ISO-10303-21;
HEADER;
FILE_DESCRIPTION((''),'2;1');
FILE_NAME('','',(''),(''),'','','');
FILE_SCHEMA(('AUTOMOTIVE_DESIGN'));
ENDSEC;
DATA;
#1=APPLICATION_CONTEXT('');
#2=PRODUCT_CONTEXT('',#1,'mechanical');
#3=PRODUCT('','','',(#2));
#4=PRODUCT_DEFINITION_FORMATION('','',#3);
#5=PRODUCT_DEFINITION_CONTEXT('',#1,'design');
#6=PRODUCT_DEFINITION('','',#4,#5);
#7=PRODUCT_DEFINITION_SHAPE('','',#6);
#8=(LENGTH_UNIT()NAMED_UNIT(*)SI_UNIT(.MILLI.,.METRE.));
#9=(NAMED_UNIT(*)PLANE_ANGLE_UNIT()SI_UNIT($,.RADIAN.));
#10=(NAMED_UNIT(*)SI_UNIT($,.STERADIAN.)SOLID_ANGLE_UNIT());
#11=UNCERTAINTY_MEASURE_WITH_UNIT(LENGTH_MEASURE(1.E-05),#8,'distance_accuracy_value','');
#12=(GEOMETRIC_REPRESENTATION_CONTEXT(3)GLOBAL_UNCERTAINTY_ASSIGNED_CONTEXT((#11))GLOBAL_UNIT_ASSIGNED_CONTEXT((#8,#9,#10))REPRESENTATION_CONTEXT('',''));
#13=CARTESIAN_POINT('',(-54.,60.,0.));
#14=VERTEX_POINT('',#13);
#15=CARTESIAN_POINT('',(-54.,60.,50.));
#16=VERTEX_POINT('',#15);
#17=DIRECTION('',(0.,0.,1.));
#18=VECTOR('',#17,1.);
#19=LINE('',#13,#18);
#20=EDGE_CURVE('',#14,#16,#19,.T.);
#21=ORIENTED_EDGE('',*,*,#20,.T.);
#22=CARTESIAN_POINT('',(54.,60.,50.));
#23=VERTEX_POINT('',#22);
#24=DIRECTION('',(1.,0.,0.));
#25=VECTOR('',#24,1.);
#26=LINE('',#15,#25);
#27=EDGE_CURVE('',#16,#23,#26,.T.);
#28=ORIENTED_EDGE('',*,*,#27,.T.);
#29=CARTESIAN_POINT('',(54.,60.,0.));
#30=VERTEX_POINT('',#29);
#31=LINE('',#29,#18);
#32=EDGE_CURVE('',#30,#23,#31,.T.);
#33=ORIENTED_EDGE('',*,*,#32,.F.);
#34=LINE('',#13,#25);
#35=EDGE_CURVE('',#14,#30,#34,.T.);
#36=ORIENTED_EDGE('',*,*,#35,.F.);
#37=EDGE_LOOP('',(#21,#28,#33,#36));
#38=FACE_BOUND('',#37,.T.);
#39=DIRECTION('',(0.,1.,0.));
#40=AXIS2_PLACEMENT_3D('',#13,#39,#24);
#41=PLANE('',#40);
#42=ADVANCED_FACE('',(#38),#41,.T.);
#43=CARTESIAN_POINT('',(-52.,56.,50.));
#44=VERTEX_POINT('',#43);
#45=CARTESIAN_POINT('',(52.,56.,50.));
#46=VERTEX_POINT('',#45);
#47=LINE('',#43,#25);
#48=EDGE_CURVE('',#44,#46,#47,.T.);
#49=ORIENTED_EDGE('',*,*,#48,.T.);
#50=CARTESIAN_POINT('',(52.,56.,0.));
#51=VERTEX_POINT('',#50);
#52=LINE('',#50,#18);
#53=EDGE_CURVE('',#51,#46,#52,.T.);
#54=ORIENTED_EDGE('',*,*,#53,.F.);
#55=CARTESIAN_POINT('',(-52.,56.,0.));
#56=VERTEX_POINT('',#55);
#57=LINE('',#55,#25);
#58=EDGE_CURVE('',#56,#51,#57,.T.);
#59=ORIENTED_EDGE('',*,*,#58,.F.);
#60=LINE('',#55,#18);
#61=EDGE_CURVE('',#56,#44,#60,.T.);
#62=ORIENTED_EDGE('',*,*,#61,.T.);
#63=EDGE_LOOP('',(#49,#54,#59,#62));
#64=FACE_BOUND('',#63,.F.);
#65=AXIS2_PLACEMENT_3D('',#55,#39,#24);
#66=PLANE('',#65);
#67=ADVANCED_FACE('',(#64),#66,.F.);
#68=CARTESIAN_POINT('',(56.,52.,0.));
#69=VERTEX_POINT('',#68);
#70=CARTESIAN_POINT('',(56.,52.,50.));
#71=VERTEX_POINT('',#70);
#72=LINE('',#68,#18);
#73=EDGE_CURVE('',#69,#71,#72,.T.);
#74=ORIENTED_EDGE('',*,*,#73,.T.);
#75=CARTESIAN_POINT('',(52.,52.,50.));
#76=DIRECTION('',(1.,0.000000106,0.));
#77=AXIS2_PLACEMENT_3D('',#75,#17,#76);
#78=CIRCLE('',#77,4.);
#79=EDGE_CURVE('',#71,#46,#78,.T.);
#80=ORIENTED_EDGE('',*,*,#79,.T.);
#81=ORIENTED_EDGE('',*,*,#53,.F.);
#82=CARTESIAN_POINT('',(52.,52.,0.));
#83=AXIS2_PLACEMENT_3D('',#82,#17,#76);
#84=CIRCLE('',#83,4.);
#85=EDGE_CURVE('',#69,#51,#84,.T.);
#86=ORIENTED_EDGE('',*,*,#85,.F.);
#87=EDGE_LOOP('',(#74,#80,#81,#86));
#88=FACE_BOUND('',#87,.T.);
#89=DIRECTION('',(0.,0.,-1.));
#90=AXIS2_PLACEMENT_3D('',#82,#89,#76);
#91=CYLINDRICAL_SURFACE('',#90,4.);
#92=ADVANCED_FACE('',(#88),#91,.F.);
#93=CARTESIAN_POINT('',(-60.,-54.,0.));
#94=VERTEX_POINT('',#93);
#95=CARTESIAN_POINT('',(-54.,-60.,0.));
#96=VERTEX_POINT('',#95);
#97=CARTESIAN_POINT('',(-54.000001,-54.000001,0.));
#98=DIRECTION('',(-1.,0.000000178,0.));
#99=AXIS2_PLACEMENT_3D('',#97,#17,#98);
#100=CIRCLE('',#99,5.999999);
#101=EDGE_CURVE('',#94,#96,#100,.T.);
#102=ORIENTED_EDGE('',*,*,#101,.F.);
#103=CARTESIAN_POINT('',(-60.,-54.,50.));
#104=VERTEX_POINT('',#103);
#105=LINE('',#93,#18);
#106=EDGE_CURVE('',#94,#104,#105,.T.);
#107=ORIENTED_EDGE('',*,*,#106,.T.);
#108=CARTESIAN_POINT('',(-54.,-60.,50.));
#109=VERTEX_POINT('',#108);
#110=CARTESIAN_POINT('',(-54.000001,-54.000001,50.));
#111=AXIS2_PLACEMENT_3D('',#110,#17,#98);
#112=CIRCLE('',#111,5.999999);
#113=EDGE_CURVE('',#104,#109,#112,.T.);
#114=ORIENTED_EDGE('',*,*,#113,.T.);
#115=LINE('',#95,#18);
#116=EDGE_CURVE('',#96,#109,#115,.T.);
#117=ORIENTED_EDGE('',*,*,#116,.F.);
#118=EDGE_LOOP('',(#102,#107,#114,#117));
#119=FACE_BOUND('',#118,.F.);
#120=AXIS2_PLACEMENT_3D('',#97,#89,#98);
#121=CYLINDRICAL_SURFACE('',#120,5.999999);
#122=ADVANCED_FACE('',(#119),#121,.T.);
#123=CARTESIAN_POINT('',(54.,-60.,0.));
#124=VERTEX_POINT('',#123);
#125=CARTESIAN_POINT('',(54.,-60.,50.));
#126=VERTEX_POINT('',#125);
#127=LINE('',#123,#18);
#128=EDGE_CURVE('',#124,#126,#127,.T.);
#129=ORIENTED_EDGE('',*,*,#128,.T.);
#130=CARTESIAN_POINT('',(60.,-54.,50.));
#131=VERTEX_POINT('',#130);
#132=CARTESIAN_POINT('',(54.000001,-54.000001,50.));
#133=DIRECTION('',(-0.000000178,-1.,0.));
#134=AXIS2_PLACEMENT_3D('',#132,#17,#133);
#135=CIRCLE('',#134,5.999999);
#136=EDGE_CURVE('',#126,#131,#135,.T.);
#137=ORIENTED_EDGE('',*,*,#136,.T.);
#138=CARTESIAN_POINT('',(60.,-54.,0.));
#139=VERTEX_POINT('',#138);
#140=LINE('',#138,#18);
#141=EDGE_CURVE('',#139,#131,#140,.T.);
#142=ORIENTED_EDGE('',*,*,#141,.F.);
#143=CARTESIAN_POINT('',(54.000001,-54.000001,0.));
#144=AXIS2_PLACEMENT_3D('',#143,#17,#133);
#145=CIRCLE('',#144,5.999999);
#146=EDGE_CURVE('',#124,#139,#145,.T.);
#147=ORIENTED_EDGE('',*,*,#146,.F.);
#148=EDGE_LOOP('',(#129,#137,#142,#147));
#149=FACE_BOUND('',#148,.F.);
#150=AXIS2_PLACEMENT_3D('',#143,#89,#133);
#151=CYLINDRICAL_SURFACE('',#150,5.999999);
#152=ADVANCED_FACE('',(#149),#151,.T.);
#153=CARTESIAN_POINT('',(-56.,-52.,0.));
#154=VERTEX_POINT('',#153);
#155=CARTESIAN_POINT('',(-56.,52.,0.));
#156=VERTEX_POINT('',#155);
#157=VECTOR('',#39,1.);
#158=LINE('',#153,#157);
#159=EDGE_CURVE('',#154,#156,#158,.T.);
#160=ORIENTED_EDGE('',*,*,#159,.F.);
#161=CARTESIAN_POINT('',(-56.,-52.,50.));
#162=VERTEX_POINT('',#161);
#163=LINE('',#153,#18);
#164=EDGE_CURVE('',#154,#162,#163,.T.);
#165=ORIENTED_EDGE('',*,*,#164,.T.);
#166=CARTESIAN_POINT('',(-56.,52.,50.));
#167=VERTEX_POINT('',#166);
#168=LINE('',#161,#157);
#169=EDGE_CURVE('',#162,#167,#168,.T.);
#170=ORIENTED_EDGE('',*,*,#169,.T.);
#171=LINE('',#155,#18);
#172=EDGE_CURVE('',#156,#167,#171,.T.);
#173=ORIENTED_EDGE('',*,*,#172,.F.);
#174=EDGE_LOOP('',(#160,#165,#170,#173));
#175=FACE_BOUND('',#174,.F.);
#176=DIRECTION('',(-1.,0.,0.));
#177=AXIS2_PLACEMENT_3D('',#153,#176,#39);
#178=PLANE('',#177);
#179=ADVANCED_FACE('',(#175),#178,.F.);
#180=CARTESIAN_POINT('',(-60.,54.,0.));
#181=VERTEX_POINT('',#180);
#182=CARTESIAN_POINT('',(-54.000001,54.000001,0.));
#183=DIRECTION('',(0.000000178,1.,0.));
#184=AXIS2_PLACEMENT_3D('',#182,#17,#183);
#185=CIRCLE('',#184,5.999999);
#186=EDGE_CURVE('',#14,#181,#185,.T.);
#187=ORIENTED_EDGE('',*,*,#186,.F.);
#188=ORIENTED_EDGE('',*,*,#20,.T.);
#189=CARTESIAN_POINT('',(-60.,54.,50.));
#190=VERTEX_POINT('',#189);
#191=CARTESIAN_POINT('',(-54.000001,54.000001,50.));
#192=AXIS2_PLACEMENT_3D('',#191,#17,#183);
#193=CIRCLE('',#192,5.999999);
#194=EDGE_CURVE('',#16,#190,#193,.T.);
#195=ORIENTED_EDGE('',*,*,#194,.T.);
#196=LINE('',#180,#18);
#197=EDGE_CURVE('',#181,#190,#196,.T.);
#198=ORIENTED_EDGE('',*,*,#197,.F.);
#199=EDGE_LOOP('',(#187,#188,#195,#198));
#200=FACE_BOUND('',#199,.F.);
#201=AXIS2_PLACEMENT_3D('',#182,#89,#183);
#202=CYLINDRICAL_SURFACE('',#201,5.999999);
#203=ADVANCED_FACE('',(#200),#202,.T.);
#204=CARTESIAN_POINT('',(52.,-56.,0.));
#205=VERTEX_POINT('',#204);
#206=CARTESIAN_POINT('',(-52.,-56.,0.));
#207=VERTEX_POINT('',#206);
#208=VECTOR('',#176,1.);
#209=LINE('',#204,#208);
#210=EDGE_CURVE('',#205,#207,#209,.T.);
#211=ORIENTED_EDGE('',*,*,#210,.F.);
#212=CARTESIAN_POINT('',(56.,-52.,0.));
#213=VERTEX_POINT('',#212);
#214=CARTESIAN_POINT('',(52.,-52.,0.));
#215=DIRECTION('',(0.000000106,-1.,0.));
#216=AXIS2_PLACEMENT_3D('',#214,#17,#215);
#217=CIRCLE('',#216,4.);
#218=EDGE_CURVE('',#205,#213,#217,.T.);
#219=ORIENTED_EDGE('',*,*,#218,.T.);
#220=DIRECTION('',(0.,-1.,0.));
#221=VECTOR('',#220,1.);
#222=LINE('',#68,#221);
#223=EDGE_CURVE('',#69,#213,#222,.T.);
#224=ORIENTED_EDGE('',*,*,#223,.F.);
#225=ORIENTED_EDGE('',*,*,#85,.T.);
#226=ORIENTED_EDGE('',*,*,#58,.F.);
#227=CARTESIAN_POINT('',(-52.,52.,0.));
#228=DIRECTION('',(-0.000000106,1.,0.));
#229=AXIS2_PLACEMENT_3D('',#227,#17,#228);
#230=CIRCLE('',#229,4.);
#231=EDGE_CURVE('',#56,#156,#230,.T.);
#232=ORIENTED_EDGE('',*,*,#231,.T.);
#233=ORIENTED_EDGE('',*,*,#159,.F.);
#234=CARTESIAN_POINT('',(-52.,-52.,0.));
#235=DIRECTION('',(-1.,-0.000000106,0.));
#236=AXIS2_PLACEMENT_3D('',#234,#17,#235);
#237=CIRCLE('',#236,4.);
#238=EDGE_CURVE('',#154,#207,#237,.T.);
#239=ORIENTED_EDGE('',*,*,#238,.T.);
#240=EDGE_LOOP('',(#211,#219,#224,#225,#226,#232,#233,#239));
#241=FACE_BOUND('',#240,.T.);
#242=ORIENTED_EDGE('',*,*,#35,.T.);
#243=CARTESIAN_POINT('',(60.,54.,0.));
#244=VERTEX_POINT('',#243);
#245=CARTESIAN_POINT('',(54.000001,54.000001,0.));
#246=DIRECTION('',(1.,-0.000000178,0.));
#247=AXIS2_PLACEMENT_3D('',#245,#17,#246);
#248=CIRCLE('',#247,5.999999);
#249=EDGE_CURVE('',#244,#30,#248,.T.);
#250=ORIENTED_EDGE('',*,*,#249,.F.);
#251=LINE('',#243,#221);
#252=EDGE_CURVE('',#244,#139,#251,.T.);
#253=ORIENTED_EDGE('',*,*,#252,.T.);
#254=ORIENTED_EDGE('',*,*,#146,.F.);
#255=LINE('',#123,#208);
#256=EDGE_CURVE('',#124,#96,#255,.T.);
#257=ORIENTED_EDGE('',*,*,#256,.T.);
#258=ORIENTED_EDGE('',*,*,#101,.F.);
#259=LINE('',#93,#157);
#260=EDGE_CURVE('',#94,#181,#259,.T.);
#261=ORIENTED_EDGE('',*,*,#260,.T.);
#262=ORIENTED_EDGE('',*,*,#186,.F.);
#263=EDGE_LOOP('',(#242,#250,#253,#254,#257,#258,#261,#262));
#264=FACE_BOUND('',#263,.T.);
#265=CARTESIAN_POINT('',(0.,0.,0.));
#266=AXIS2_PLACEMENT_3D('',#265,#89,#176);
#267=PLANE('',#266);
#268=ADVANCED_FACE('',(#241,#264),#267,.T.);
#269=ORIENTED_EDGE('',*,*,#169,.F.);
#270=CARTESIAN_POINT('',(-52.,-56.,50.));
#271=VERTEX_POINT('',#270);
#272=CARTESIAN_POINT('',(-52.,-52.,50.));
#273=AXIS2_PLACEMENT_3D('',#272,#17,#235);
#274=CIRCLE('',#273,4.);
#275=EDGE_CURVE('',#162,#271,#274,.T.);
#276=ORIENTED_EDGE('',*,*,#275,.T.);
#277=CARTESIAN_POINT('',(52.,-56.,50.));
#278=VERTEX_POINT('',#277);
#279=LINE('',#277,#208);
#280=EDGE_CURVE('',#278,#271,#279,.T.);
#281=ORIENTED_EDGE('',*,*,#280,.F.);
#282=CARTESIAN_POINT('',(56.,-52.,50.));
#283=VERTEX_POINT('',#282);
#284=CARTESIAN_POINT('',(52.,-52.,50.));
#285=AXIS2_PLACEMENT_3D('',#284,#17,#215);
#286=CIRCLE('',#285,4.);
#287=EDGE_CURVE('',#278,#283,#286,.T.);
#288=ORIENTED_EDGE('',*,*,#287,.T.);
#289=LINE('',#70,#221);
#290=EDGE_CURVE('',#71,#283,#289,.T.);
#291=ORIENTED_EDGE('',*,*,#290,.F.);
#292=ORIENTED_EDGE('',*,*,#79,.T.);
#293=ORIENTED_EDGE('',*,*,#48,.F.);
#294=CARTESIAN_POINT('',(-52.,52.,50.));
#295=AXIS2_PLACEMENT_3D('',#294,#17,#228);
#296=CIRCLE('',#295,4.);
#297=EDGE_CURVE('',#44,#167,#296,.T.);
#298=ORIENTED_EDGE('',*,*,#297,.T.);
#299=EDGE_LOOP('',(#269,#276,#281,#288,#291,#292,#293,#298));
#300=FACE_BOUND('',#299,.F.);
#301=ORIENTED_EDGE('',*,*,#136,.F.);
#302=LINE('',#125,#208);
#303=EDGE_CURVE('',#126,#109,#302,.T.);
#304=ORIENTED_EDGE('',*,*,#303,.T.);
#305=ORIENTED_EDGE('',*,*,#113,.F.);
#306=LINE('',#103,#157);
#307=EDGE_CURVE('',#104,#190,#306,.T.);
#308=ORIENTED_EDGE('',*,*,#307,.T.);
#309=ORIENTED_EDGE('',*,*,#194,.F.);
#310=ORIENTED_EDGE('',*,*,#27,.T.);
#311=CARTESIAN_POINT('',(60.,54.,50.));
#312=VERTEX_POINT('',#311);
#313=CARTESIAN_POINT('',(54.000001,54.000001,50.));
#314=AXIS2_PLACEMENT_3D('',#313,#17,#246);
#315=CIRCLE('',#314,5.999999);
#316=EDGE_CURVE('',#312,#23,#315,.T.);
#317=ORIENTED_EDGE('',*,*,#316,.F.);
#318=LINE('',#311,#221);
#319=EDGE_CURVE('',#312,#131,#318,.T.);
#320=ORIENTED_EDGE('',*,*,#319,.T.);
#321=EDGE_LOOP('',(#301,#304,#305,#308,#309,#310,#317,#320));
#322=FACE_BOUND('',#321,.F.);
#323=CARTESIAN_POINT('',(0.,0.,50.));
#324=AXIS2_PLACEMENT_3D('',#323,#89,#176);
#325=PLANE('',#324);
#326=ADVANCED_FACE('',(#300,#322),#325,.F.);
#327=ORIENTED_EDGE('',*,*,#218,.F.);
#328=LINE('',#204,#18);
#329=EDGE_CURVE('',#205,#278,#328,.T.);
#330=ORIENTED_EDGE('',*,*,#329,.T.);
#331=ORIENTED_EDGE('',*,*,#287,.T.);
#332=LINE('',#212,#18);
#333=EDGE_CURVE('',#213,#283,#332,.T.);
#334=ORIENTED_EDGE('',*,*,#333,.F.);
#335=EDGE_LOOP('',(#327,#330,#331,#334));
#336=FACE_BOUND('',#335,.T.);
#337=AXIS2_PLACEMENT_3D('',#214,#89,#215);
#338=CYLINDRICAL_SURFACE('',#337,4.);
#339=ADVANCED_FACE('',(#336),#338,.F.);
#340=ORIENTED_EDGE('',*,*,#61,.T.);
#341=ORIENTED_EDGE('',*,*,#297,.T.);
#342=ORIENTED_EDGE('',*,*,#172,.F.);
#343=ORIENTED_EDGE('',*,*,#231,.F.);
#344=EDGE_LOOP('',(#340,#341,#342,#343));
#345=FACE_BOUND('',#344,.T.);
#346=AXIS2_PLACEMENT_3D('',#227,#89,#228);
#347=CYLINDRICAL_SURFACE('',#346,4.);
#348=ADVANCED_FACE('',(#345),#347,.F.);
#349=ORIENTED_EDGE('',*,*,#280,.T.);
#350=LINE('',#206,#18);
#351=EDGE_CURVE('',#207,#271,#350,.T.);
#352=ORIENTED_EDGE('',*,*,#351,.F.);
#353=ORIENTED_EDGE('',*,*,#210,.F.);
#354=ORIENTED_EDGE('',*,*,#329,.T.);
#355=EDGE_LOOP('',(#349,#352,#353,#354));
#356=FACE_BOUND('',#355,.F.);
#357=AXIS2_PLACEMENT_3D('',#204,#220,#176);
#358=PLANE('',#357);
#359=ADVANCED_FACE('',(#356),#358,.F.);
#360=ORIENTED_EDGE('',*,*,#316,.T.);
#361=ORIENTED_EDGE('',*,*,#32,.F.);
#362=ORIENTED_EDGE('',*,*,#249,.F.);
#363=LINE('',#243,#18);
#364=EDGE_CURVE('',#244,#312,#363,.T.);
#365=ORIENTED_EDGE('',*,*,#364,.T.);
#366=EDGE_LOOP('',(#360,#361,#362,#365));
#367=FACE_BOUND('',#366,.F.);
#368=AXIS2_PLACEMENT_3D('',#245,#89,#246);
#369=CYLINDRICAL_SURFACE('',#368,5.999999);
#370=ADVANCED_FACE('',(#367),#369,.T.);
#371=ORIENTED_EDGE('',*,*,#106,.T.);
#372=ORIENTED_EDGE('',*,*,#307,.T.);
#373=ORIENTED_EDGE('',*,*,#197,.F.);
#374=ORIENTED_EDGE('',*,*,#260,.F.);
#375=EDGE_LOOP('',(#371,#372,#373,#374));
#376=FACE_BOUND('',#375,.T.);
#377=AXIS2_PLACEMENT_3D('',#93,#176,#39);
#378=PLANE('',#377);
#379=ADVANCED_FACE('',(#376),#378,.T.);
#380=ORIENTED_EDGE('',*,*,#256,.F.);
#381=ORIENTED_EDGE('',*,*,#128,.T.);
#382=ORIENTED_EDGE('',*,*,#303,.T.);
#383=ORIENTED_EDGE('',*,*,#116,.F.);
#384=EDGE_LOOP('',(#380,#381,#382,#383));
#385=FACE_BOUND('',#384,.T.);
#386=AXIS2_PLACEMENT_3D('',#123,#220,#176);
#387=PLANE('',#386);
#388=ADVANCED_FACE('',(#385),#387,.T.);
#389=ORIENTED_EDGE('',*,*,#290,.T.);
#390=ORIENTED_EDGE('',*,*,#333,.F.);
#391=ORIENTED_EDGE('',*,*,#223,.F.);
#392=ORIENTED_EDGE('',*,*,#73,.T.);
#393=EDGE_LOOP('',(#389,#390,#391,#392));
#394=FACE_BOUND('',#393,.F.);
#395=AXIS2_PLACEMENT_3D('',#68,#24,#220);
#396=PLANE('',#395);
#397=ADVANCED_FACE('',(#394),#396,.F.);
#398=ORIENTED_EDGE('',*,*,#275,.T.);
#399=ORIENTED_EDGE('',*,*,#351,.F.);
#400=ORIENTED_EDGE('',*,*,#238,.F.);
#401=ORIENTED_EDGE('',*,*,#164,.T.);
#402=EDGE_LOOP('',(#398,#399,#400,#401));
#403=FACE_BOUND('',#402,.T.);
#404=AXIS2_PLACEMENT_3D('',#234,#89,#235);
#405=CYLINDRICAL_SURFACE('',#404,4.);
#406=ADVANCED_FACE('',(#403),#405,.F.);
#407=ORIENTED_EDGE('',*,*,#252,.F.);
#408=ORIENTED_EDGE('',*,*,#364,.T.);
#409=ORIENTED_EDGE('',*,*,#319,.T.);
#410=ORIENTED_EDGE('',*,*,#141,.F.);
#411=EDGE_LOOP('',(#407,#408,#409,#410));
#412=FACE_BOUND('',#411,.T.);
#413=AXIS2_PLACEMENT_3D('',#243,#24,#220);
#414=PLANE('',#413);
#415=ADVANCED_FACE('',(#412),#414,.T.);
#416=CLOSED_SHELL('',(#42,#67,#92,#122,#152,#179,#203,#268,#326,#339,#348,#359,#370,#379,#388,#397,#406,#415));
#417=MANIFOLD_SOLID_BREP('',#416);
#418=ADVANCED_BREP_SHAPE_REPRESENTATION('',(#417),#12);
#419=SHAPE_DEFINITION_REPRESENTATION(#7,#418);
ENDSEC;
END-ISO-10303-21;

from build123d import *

# Parameters (mm, degrees)
EXTRUDE_DEPTH = 50


with BuildPart() as part:
    # Sketch → Extrude (new body)
    with BuildSketch(Plane.XY):
        with BuildLine():
            Line((-54, 60), (54, 60))
            ThreePointArc((60, 54), (58.242641, 58.242641), (54, 60))
            Line((60, 54), (60, -54))
            ThreePointArc((54, -60), (58.242641, -58.242641), (60, -54))
            Line((54, -60), (-54, -60))
            ThreePointArc((-60, -54), (-58.242641, -58.242641), (-54, -60))
            Line((-60, -54), (-60, 54))
            ThreePointArc((-54, 60), (-58.242641, 58.242641), (-60, 54))
        make_face()
        with BuildLine():
            Line((-52, 56), (52, 56))
            ThreePointArc((56, 52), (54.828427, 54.828427), (52, 56))
            Line((56, 52), (56, -52))
            ThreePointArc((52, -56), (54.828427, -54.828427), (56, -52))
            Line((52, -56), (-52, -56))
            ThreePointArc((-56, -52), (-54.828427, -54.828427), (-52, -56))
            Line((-56, -52), (-56, 52))
            ThreePointArc((-52, 56), (-54.828427, 54.828427), (-56, 52))
        make_face(mode=Mode.SUBTRACT)
    extrude(amount=EXTRUDE_DEPTH)


solid = part.part
